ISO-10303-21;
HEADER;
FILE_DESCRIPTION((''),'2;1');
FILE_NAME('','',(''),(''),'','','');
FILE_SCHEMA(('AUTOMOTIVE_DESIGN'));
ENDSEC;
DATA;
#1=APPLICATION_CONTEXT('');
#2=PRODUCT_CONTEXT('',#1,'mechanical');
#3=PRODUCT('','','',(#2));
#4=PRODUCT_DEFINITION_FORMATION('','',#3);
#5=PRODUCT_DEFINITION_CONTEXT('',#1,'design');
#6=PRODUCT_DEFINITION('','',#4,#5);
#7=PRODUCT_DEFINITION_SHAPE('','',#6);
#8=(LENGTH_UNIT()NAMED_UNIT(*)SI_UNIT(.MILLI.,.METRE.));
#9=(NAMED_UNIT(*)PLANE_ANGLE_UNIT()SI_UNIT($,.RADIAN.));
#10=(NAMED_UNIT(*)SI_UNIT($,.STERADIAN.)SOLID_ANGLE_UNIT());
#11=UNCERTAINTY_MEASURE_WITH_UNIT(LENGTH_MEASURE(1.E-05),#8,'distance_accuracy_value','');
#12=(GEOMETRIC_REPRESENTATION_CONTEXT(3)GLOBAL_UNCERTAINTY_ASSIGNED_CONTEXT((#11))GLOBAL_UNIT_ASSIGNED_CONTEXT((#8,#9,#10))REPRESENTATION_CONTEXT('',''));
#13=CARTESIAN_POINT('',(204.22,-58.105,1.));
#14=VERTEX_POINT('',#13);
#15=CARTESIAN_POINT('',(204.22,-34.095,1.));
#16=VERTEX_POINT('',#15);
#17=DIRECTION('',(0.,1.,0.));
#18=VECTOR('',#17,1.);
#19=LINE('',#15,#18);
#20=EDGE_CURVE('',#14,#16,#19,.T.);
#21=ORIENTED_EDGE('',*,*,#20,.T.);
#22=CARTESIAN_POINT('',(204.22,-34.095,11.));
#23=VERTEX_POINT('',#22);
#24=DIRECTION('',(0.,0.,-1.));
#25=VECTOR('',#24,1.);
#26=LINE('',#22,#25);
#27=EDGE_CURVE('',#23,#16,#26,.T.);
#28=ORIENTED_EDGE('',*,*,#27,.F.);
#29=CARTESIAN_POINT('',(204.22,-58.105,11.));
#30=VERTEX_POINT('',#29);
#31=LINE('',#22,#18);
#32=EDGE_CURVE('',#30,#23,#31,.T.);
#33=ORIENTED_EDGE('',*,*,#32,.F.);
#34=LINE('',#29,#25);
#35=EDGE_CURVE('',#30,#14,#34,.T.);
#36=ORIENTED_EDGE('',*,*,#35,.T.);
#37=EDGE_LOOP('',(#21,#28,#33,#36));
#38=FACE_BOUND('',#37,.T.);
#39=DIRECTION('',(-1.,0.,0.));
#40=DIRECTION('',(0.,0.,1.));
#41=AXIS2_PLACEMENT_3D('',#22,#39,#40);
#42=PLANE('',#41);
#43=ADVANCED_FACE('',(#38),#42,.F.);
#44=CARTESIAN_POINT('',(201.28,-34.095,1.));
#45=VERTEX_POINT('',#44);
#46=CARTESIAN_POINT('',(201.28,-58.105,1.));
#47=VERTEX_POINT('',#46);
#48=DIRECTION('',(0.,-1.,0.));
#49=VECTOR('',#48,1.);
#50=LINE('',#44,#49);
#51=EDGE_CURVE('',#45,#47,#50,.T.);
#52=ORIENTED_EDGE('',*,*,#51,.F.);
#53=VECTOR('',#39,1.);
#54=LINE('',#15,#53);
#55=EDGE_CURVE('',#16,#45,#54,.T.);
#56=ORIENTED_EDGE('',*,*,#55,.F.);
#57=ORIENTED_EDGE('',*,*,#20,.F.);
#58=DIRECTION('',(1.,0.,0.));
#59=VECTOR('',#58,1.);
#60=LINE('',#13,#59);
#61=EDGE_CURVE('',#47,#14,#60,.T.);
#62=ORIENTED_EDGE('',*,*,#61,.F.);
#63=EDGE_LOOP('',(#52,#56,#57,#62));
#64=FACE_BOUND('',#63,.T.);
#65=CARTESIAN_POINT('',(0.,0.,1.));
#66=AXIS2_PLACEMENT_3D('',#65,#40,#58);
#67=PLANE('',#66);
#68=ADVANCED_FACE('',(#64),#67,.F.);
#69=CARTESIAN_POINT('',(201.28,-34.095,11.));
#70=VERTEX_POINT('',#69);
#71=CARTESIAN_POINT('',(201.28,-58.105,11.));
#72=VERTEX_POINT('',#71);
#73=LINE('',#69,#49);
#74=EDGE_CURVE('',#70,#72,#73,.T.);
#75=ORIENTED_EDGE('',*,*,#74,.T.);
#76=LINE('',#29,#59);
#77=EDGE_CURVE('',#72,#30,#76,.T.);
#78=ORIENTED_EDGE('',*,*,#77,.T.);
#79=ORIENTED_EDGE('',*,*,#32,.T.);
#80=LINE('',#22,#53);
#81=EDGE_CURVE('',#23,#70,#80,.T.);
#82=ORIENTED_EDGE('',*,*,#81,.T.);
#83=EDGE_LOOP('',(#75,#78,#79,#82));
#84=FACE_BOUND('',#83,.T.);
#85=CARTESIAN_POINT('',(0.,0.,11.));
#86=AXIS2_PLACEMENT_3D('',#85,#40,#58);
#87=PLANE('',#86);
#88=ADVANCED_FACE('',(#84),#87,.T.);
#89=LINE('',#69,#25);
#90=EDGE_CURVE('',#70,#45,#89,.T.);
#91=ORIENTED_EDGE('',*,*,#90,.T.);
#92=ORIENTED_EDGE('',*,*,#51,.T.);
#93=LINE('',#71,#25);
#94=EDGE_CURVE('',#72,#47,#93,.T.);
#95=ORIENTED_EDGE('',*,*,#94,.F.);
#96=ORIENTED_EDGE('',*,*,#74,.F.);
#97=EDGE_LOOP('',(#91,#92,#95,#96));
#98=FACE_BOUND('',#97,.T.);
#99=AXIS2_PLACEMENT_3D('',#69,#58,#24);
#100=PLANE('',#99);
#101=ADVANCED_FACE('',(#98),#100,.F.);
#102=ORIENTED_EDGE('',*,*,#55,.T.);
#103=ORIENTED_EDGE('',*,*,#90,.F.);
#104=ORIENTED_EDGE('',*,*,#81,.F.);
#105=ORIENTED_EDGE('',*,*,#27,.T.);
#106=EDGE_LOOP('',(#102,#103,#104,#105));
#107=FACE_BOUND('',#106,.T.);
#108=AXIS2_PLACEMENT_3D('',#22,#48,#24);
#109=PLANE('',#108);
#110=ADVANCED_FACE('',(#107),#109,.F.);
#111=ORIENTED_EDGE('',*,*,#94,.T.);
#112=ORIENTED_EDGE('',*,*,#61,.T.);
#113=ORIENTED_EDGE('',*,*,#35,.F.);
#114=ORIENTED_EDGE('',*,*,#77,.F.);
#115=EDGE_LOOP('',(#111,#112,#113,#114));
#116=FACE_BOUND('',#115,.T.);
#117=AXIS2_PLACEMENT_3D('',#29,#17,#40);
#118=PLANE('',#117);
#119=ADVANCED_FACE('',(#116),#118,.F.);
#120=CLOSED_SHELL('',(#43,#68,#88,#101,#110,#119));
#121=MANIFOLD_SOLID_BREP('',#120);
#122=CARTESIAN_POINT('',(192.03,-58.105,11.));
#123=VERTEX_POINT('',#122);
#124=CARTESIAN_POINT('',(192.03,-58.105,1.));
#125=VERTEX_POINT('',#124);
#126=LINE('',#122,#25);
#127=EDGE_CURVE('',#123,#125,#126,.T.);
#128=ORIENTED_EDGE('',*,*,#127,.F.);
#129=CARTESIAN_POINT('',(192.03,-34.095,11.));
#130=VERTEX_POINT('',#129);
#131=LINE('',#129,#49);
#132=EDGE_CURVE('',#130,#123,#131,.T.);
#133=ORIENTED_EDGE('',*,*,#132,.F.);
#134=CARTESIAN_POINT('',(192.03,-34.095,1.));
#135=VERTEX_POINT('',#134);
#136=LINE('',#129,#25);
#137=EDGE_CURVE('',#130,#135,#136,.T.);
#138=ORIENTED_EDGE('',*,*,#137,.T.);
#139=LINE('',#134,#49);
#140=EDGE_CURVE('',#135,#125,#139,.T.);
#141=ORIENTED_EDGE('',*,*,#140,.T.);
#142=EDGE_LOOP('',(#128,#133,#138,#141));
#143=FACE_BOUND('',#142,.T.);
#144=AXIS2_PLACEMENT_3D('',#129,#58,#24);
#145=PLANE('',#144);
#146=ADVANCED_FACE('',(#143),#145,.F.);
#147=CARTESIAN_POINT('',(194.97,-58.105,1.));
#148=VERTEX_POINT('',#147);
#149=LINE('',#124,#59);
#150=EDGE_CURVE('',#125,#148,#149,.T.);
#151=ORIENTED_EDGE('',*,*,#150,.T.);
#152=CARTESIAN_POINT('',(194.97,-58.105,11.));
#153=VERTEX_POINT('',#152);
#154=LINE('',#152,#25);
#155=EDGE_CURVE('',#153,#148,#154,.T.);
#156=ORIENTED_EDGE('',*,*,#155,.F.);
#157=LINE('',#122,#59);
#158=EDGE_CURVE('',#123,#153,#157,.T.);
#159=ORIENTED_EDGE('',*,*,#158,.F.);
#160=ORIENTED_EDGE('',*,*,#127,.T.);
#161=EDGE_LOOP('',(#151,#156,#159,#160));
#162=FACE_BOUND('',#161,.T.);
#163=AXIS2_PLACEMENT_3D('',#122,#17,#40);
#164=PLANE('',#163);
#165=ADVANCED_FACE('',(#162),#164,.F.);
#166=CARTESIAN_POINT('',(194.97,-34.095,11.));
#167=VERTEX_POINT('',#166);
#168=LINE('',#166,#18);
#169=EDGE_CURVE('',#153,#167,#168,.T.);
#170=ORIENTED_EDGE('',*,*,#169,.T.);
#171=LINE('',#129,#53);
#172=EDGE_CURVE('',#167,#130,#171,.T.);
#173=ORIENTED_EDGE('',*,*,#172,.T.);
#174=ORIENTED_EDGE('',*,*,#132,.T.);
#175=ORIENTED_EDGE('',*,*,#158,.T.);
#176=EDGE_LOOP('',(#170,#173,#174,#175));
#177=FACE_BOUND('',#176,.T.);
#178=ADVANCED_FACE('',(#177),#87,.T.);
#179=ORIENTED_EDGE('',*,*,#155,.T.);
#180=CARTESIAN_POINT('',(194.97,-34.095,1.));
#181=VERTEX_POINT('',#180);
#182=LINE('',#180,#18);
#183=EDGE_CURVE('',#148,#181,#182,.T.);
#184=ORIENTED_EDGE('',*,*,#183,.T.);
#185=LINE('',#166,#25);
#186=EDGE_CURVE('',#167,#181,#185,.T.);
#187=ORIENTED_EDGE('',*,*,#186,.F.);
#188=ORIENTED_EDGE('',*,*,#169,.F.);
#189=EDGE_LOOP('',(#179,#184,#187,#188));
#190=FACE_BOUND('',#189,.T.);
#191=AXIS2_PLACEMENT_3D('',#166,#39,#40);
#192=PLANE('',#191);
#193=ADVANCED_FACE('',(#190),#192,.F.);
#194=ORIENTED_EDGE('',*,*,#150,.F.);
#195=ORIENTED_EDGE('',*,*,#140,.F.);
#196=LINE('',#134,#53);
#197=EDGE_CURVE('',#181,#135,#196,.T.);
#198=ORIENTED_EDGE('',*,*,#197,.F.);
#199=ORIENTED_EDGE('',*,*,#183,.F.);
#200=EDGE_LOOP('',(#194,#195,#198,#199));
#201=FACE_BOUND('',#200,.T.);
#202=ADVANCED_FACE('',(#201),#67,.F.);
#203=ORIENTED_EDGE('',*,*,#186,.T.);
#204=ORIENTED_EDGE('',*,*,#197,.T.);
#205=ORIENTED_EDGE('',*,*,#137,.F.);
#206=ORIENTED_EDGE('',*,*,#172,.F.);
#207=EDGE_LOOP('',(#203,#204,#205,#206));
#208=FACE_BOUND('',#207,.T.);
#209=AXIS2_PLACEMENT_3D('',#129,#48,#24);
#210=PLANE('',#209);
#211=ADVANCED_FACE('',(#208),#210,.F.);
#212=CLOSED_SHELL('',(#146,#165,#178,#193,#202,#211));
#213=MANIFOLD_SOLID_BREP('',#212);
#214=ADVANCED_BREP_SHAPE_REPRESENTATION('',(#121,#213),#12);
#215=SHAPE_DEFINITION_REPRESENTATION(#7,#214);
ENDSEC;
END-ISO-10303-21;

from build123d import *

# Parameters (mm, degrees)
AUFSATZ_LINEAR_START              = 1
SKIZZE1_W                         = 2.94
SKIZZE1_H                         = 24.01
AUFSATZ_LINEAR_AUSTRAGEN1_DEPTH   = 10
AUFSATZ_LINEAR_AUSTRAGEN1_2_DEPTH = 10


with BuildPart() as part:
    # Skizze1 → Aufsatz-Linear austragen1 (new body)
    with BuildSketch(Plane.XY.offset(AUFSATZ_LINEAR_START)):
        with Locations((193.5, -46.1)):
            Rectangle(SKIZZE1_W, SKIZZE1_H)
    extrude(amount=AUFSATZ_LINEAR_AUSTRAGEN1_DEPTH)


with BuildPart() as body_2:
    # Skizze1 → Aufsatz-Linear austragen1 2 (new body)
    with BuildSketch(Plane.XY.offset(AUFSATZ_LINEAR_START)):
        with Locations((202.75, -46.1)):
            Rectangle(SKIZZE1_W, SKIZZE1_H)
    extrude(amount=AUFSATZ_LINEAR_AUSTRAGEN1_2_DEPTH)


solid = Compound([part.part, body_2.part])
